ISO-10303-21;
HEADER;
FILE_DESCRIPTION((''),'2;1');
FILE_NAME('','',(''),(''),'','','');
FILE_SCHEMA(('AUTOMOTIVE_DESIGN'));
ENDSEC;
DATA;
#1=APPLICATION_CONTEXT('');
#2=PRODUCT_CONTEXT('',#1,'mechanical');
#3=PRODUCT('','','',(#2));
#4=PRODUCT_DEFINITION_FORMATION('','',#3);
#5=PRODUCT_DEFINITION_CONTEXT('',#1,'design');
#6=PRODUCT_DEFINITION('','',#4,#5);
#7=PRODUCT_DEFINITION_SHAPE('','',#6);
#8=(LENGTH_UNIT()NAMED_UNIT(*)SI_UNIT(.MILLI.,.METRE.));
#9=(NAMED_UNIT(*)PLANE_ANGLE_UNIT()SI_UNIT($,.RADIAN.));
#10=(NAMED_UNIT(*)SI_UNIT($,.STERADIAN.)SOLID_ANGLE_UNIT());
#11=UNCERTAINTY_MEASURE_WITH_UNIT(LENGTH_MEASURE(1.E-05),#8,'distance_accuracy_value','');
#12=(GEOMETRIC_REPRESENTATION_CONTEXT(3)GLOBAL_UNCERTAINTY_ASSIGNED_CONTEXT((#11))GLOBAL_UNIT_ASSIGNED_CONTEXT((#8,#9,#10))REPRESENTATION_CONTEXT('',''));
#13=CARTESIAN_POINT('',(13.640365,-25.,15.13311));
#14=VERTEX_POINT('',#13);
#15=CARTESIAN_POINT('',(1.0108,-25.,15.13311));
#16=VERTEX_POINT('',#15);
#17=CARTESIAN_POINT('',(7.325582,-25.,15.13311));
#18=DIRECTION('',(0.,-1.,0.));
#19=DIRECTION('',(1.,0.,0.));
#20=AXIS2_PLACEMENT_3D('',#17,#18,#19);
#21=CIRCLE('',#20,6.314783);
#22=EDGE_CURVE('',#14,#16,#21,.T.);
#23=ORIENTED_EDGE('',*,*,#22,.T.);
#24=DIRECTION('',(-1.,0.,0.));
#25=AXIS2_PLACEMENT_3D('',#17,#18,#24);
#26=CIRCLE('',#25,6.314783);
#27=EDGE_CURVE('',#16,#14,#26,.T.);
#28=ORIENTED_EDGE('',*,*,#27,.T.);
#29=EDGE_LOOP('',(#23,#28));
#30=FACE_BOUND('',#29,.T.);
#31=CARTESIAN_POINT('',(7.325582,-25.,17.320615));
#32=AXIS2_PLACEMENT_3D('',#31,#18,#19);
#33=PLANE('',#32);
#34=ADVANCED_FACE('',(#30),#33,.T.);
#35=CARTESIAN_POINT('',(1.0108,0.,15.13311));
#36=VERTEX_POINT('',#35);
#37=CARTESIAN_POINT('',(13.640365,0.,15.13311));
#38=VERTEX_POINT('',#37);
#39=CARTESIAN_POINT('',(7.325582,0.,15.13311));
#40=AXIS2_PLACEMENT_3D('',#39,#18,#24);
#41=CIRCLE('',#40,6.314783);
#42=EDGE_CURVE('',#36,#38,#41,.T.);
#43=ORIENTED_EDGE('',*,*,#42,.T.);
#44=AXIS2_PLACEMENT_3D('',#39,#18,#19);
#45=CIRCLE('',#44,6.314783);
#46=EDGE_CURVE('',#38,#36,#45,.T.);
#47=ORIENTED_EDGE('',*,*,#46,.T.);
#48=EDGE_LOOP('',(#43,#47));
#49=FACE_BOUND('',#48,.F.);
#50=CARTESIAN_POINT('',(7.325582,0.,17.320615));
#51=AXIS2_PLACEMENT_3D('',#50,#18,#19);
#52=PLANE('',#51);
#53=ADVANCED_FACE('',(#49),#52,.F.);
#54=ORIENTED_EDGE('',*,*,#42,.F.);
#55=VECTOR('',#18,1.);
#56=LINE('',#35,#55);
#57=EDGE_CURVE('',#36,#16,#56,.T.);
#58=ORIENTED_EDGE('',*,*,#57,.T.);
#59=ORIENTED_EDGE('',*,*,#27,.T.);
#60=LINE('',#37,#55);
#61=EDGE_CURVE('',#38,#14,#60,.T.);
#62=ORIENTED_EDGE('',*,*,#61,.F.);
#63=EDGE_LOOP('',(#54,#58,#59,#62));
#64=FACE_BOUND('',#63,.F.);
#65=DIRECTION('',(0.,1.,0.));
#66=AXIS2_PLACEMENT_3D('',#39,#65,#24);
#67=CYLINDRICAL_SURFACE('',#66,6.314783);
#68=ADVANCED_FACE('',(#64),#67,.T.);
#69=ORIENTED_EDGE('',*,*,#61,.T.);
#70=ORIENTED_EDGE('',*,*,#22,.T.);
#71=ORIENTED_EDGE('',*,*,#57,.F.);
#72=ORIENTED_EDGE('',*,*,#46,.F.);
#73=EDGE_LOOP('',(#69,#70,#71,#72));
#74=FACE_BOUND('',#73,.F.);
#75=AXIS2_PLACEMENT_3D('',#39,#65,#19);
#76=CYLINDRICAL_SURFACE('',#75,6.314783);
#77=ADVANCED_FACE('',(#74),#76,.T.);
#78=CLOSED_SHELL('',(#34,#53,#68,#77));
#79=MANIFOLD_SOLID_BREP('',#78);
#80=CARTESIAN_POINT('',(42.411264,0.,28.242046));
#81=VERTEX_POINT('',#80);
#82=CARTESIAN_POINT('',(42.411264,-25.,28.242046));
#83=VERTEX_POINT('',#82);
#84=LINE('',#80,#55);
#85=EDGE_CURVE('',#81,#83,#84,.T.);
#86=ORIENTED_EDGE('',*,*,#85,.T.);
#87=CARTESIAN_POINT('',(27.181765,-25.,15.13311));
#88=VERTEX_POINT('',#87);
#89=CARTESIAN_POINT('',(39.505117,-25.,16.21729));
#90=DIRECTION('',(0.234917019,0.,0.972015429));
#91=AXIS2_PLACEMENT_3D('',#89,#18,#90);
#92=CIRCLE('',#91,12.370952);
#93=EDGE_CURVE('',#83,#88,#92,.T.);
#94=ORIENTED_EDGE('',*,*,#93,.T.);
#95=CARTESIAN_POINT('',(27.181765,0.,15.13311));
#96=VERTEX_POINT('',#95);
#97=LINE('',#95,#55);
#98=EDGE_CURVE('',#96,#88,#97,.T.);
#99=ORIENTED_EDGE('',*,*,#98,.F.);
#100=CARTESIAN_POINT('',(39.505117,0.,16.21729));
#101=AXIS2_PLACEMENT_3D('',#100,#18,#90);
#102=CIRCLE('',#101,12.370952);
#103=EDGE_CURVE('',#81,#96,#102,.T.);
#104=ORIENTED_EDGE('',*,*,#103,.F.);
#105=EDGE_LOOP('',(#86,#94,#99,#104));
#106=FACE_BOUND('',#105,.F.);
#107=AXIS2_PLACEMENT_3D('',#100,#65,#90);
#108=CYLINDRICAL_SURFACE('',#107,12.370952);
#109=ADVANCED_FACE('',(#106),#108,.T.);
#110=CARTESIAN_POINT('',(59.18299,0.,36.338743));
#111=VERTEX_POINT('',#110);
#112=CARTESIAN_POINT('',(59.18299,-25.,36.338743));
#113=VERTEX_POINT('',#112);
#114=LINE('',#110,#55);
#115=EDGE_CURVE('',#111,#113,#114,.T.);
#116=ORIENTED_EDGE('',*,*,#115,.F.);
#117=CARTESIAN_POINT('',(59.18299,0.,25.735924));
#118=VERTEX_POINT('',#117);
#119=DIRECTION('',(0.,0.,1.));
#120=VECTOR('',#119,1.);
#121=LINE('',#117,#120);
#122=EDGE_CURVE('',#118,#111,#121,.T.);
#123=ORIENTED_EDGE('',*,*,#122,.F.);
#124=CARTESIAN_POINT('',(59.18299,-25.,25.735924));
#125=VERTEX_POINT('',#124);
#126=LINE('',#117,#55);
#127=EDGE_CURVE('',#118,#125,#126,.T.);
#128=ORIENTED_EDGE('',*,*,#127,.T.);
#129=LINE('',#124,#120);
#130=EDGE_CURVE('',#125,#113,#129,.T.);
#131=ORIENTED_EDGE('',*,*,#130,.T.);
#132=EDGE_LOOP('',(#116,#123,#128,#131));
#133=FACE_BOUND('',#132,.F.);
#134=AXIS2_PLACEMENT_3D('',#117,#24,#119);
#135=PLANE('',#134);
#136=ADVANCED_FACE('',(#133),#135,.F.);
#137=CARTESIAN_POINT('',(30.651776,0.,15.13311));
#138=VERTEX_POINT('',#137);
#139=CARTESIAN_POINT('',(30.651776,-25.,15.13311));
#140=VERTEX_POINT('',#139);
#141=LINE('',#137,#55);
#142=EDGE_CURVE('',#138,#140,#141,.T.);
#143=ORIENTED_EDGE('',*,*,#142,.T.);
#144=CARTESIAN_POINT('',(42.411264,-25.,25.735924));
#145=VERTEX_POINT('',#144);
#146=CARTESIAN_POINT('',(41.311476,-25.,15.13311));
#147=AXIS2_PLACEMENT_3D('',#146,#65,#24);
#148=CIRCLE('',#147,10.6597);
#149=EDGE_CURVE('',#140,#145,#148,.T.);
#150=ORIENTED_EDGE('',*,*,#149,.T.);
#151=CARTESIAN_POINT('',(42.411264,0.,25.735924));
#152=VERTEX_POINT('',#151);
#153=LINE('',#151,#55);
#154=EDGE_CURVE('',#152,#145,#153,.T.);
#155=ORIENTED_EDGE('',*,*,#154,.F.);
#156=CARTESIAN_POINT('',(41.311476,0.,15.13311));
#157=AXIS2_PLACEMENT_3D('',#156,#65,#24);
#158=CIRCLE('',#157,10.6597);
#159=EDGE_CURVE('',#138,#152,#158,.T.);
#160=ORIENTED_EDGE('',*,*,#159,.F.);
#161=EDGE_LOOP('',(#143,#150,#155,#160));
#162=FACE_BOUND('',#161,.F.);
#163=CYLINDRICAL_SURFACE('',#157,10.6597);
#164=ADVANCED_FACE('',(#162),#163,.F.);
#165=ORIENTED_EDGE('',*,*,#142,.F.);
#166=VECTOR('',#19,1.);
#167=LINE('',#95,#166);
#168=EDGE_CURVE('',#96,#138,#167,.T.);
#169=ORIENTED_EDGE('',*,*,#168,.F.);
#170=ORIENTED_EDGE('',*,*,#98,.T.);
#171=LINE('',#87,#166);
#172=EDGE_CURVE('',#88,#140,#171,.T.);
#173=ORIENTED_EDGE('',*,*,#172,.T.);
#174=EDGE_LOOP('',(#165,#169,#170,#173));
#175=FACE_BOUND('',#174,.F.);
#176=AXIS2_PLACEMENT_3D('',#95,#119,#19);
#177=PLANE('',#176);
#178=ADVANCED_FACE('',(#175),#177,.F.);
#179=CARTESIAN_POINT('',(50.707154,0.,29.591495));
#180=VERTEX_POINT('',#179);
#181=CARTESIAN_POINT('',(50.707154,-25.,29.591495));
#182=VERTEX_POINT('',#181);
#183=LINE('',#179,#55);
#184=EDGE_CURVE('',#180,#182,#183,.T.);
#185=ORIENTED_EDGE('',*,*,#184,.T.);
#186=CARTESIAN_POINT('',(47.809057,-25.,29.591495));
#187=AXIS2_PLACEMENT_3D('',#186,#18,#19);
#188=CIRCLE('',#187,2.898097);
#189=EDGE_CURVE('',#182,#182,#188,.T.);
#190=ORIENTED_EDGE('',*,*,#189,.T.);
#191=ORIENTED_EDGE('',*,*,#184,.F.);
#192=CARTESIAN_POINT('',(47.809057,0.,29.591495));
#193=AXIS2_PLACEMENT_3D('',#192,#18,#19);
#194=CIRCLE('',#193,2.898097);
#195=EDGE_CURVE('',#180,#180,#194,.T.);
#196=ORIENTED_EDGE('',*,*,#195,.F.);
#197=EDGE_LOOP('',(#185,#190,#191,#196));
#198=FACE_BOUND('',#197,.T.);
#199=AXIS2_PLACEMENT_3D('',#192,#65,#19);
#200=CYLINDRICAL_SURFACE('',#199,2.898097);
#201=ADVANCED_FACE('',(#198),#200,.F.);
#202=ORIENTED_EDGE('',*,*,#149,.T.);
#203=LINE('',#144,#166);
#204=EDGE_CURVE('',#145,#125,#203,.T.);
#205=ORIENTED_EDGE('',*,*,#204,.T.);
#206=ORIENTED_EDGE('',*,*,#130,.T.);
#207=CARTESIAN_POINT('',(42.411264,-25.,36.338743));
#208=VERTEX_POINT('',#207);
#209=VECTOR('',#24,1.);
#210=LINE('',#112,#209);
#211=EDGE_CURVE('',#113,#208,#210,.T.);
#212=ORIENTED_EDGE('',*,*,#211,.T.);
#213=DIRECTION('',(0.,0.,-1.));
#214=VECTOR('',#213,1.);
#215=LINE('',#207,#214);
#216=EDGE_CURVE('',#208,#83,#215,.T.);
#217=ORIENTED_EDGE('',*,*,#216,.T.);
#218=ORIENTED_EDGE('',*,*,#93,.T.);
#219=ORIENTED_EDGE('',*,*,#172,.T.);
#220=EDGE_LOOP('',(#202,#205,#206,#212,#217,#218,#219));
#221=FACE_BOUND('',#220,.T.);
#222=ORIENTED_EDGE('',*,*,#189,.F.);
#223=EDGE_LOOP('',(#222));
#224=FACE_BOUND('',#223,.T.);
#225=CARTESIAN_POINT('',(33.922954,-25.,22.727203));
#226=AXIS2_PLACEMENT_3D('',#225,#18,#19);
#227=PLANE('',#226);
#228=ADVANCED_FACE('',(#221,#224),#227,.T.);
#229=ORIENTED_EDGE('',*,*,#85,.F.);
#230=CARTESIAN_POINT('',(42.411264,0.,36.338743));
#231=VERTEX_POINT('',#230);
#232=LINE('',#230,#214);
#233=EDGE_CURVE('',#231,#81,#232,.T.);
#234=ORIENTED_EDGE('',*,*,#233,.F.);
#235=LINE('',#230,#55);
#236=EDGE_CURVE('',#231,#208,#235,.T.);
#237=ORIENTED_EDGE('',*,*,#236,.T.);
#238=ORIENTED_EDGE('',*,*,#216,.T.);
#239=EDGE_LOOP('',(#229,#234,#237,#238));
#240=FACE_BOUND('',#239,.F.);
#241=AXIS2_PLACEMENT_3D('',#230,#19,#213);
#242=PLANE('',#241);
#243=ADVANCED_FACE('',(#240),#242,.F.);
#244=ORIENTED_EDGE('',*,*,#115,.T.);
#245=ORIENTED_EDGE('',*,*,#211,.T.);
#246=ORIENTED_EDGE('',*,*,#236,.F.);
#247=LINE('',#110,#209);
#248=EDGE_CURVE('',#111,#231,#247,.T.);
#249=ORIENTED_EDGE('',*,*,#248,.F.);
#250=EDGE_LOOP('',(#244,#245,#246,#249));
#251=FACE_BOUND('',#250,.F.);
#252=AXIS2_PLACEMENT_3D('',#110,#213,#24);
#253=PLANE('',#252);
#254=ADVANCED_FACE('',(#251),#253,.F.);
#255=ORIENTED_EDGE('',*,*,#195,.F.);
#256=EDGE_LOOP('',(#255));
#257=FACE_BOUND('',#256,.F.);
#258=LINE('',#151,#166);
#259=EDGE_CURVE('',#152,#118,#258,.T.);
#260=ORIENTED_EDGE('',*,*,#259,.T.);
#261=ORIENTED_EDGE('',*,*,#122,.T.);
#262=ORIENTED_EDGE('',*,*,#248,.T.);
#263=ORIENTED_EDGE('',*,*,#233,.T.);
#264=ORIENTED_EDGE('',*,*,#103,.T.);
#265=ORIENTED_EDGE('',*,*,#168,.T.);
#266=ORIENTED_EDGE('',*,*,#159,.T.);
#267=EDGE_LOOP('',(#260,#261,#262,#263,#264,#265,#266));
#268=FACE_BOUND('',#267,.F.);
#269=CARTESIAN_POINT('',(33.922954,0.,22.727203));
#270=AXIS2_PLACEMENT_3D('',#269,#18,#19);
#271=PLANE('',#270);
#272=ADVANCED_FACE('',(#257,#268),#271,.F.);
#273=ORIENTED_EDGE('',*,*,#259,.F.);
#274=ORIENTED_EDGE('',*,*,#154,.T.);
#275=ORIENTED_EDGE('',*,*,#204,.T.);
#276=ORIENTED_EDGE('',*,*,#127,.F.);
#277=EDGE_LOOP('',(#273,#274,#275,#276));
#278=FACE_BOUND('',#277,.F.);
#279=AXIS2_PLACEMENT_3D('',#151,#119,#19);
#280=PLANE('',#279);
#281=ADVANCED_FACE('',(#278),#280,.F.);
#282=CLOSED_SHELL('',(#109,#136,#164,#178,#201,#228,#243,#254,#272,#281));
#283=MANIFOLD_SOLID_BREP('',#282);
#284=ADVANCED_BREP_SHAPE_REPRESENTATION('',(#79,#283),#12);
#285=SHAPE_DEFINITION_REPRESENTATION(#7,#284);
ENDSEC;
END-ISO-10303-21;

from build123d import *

# Parameters (mm, degrees)
F1_DEPTH = 25
F0_R     = 2.89809729


with BuildPart() as f1:
    # F0 (on Front) → F1 (new body)
    with BuildSketch(Plane.XZ):
        with BuildLine():
            ThreePointArc((13.6403647707, 15.133109875), (7.3255822062, 21.4478924395), (1.0107996418, 15.133109875))
            Line((1.0107996418, 15.133109875), (13.6403647707, 15.133109875))
        make_face()
        with BuildLine():
            Line((13.6403647707, 15.133109875), (1.0107996418, 15.133109875))
            ThreePointArc((1.0107996418, 15.133109875), (7.3255822062, 8.8183273105), (13.6403647707, 15.133109875))
        make_face()
    extrude(amount=F1_DEPTH)


with BuildPart() as f1b:
    # F0 (on Front) → F1, piece 2 (new body)
    with BuildSketch(Plane.XZ):
        with BuildLine():
            Line((27.1817650646, 15.133109875), (30.6517761201, 15.133109875))
            ThreePointArc((30.6517761201, 15.133109875), (34.1733463019, 23.0499467395), (42.4112640321, 25.7359240204))
            Line((42.4112640321, 25.7359240204), (42.4112640321, 28.2420460135))
            ThreePointArc((42.4112640321, 28.2420460135), (31.4346777756, 25.5932411589), (27.1817650646, 15.133109875))
        make_face()
        Polygon((42.4112640321, 28.2420460135), (42.4112640321, 25.7359240204), (59.1829903424, 25.7359240204), (59.1829903424, 36.3387428224), (42.4112640321, 36.3387428224), align=None)
        with Locations((47.8090569377, 29.5914951712)):
            Circle(F0_R, mode=Mode.SUBTRACT)
    extrude(amount=F1_DEPTH)


solid = Compound([f1.part, f1b.part])
